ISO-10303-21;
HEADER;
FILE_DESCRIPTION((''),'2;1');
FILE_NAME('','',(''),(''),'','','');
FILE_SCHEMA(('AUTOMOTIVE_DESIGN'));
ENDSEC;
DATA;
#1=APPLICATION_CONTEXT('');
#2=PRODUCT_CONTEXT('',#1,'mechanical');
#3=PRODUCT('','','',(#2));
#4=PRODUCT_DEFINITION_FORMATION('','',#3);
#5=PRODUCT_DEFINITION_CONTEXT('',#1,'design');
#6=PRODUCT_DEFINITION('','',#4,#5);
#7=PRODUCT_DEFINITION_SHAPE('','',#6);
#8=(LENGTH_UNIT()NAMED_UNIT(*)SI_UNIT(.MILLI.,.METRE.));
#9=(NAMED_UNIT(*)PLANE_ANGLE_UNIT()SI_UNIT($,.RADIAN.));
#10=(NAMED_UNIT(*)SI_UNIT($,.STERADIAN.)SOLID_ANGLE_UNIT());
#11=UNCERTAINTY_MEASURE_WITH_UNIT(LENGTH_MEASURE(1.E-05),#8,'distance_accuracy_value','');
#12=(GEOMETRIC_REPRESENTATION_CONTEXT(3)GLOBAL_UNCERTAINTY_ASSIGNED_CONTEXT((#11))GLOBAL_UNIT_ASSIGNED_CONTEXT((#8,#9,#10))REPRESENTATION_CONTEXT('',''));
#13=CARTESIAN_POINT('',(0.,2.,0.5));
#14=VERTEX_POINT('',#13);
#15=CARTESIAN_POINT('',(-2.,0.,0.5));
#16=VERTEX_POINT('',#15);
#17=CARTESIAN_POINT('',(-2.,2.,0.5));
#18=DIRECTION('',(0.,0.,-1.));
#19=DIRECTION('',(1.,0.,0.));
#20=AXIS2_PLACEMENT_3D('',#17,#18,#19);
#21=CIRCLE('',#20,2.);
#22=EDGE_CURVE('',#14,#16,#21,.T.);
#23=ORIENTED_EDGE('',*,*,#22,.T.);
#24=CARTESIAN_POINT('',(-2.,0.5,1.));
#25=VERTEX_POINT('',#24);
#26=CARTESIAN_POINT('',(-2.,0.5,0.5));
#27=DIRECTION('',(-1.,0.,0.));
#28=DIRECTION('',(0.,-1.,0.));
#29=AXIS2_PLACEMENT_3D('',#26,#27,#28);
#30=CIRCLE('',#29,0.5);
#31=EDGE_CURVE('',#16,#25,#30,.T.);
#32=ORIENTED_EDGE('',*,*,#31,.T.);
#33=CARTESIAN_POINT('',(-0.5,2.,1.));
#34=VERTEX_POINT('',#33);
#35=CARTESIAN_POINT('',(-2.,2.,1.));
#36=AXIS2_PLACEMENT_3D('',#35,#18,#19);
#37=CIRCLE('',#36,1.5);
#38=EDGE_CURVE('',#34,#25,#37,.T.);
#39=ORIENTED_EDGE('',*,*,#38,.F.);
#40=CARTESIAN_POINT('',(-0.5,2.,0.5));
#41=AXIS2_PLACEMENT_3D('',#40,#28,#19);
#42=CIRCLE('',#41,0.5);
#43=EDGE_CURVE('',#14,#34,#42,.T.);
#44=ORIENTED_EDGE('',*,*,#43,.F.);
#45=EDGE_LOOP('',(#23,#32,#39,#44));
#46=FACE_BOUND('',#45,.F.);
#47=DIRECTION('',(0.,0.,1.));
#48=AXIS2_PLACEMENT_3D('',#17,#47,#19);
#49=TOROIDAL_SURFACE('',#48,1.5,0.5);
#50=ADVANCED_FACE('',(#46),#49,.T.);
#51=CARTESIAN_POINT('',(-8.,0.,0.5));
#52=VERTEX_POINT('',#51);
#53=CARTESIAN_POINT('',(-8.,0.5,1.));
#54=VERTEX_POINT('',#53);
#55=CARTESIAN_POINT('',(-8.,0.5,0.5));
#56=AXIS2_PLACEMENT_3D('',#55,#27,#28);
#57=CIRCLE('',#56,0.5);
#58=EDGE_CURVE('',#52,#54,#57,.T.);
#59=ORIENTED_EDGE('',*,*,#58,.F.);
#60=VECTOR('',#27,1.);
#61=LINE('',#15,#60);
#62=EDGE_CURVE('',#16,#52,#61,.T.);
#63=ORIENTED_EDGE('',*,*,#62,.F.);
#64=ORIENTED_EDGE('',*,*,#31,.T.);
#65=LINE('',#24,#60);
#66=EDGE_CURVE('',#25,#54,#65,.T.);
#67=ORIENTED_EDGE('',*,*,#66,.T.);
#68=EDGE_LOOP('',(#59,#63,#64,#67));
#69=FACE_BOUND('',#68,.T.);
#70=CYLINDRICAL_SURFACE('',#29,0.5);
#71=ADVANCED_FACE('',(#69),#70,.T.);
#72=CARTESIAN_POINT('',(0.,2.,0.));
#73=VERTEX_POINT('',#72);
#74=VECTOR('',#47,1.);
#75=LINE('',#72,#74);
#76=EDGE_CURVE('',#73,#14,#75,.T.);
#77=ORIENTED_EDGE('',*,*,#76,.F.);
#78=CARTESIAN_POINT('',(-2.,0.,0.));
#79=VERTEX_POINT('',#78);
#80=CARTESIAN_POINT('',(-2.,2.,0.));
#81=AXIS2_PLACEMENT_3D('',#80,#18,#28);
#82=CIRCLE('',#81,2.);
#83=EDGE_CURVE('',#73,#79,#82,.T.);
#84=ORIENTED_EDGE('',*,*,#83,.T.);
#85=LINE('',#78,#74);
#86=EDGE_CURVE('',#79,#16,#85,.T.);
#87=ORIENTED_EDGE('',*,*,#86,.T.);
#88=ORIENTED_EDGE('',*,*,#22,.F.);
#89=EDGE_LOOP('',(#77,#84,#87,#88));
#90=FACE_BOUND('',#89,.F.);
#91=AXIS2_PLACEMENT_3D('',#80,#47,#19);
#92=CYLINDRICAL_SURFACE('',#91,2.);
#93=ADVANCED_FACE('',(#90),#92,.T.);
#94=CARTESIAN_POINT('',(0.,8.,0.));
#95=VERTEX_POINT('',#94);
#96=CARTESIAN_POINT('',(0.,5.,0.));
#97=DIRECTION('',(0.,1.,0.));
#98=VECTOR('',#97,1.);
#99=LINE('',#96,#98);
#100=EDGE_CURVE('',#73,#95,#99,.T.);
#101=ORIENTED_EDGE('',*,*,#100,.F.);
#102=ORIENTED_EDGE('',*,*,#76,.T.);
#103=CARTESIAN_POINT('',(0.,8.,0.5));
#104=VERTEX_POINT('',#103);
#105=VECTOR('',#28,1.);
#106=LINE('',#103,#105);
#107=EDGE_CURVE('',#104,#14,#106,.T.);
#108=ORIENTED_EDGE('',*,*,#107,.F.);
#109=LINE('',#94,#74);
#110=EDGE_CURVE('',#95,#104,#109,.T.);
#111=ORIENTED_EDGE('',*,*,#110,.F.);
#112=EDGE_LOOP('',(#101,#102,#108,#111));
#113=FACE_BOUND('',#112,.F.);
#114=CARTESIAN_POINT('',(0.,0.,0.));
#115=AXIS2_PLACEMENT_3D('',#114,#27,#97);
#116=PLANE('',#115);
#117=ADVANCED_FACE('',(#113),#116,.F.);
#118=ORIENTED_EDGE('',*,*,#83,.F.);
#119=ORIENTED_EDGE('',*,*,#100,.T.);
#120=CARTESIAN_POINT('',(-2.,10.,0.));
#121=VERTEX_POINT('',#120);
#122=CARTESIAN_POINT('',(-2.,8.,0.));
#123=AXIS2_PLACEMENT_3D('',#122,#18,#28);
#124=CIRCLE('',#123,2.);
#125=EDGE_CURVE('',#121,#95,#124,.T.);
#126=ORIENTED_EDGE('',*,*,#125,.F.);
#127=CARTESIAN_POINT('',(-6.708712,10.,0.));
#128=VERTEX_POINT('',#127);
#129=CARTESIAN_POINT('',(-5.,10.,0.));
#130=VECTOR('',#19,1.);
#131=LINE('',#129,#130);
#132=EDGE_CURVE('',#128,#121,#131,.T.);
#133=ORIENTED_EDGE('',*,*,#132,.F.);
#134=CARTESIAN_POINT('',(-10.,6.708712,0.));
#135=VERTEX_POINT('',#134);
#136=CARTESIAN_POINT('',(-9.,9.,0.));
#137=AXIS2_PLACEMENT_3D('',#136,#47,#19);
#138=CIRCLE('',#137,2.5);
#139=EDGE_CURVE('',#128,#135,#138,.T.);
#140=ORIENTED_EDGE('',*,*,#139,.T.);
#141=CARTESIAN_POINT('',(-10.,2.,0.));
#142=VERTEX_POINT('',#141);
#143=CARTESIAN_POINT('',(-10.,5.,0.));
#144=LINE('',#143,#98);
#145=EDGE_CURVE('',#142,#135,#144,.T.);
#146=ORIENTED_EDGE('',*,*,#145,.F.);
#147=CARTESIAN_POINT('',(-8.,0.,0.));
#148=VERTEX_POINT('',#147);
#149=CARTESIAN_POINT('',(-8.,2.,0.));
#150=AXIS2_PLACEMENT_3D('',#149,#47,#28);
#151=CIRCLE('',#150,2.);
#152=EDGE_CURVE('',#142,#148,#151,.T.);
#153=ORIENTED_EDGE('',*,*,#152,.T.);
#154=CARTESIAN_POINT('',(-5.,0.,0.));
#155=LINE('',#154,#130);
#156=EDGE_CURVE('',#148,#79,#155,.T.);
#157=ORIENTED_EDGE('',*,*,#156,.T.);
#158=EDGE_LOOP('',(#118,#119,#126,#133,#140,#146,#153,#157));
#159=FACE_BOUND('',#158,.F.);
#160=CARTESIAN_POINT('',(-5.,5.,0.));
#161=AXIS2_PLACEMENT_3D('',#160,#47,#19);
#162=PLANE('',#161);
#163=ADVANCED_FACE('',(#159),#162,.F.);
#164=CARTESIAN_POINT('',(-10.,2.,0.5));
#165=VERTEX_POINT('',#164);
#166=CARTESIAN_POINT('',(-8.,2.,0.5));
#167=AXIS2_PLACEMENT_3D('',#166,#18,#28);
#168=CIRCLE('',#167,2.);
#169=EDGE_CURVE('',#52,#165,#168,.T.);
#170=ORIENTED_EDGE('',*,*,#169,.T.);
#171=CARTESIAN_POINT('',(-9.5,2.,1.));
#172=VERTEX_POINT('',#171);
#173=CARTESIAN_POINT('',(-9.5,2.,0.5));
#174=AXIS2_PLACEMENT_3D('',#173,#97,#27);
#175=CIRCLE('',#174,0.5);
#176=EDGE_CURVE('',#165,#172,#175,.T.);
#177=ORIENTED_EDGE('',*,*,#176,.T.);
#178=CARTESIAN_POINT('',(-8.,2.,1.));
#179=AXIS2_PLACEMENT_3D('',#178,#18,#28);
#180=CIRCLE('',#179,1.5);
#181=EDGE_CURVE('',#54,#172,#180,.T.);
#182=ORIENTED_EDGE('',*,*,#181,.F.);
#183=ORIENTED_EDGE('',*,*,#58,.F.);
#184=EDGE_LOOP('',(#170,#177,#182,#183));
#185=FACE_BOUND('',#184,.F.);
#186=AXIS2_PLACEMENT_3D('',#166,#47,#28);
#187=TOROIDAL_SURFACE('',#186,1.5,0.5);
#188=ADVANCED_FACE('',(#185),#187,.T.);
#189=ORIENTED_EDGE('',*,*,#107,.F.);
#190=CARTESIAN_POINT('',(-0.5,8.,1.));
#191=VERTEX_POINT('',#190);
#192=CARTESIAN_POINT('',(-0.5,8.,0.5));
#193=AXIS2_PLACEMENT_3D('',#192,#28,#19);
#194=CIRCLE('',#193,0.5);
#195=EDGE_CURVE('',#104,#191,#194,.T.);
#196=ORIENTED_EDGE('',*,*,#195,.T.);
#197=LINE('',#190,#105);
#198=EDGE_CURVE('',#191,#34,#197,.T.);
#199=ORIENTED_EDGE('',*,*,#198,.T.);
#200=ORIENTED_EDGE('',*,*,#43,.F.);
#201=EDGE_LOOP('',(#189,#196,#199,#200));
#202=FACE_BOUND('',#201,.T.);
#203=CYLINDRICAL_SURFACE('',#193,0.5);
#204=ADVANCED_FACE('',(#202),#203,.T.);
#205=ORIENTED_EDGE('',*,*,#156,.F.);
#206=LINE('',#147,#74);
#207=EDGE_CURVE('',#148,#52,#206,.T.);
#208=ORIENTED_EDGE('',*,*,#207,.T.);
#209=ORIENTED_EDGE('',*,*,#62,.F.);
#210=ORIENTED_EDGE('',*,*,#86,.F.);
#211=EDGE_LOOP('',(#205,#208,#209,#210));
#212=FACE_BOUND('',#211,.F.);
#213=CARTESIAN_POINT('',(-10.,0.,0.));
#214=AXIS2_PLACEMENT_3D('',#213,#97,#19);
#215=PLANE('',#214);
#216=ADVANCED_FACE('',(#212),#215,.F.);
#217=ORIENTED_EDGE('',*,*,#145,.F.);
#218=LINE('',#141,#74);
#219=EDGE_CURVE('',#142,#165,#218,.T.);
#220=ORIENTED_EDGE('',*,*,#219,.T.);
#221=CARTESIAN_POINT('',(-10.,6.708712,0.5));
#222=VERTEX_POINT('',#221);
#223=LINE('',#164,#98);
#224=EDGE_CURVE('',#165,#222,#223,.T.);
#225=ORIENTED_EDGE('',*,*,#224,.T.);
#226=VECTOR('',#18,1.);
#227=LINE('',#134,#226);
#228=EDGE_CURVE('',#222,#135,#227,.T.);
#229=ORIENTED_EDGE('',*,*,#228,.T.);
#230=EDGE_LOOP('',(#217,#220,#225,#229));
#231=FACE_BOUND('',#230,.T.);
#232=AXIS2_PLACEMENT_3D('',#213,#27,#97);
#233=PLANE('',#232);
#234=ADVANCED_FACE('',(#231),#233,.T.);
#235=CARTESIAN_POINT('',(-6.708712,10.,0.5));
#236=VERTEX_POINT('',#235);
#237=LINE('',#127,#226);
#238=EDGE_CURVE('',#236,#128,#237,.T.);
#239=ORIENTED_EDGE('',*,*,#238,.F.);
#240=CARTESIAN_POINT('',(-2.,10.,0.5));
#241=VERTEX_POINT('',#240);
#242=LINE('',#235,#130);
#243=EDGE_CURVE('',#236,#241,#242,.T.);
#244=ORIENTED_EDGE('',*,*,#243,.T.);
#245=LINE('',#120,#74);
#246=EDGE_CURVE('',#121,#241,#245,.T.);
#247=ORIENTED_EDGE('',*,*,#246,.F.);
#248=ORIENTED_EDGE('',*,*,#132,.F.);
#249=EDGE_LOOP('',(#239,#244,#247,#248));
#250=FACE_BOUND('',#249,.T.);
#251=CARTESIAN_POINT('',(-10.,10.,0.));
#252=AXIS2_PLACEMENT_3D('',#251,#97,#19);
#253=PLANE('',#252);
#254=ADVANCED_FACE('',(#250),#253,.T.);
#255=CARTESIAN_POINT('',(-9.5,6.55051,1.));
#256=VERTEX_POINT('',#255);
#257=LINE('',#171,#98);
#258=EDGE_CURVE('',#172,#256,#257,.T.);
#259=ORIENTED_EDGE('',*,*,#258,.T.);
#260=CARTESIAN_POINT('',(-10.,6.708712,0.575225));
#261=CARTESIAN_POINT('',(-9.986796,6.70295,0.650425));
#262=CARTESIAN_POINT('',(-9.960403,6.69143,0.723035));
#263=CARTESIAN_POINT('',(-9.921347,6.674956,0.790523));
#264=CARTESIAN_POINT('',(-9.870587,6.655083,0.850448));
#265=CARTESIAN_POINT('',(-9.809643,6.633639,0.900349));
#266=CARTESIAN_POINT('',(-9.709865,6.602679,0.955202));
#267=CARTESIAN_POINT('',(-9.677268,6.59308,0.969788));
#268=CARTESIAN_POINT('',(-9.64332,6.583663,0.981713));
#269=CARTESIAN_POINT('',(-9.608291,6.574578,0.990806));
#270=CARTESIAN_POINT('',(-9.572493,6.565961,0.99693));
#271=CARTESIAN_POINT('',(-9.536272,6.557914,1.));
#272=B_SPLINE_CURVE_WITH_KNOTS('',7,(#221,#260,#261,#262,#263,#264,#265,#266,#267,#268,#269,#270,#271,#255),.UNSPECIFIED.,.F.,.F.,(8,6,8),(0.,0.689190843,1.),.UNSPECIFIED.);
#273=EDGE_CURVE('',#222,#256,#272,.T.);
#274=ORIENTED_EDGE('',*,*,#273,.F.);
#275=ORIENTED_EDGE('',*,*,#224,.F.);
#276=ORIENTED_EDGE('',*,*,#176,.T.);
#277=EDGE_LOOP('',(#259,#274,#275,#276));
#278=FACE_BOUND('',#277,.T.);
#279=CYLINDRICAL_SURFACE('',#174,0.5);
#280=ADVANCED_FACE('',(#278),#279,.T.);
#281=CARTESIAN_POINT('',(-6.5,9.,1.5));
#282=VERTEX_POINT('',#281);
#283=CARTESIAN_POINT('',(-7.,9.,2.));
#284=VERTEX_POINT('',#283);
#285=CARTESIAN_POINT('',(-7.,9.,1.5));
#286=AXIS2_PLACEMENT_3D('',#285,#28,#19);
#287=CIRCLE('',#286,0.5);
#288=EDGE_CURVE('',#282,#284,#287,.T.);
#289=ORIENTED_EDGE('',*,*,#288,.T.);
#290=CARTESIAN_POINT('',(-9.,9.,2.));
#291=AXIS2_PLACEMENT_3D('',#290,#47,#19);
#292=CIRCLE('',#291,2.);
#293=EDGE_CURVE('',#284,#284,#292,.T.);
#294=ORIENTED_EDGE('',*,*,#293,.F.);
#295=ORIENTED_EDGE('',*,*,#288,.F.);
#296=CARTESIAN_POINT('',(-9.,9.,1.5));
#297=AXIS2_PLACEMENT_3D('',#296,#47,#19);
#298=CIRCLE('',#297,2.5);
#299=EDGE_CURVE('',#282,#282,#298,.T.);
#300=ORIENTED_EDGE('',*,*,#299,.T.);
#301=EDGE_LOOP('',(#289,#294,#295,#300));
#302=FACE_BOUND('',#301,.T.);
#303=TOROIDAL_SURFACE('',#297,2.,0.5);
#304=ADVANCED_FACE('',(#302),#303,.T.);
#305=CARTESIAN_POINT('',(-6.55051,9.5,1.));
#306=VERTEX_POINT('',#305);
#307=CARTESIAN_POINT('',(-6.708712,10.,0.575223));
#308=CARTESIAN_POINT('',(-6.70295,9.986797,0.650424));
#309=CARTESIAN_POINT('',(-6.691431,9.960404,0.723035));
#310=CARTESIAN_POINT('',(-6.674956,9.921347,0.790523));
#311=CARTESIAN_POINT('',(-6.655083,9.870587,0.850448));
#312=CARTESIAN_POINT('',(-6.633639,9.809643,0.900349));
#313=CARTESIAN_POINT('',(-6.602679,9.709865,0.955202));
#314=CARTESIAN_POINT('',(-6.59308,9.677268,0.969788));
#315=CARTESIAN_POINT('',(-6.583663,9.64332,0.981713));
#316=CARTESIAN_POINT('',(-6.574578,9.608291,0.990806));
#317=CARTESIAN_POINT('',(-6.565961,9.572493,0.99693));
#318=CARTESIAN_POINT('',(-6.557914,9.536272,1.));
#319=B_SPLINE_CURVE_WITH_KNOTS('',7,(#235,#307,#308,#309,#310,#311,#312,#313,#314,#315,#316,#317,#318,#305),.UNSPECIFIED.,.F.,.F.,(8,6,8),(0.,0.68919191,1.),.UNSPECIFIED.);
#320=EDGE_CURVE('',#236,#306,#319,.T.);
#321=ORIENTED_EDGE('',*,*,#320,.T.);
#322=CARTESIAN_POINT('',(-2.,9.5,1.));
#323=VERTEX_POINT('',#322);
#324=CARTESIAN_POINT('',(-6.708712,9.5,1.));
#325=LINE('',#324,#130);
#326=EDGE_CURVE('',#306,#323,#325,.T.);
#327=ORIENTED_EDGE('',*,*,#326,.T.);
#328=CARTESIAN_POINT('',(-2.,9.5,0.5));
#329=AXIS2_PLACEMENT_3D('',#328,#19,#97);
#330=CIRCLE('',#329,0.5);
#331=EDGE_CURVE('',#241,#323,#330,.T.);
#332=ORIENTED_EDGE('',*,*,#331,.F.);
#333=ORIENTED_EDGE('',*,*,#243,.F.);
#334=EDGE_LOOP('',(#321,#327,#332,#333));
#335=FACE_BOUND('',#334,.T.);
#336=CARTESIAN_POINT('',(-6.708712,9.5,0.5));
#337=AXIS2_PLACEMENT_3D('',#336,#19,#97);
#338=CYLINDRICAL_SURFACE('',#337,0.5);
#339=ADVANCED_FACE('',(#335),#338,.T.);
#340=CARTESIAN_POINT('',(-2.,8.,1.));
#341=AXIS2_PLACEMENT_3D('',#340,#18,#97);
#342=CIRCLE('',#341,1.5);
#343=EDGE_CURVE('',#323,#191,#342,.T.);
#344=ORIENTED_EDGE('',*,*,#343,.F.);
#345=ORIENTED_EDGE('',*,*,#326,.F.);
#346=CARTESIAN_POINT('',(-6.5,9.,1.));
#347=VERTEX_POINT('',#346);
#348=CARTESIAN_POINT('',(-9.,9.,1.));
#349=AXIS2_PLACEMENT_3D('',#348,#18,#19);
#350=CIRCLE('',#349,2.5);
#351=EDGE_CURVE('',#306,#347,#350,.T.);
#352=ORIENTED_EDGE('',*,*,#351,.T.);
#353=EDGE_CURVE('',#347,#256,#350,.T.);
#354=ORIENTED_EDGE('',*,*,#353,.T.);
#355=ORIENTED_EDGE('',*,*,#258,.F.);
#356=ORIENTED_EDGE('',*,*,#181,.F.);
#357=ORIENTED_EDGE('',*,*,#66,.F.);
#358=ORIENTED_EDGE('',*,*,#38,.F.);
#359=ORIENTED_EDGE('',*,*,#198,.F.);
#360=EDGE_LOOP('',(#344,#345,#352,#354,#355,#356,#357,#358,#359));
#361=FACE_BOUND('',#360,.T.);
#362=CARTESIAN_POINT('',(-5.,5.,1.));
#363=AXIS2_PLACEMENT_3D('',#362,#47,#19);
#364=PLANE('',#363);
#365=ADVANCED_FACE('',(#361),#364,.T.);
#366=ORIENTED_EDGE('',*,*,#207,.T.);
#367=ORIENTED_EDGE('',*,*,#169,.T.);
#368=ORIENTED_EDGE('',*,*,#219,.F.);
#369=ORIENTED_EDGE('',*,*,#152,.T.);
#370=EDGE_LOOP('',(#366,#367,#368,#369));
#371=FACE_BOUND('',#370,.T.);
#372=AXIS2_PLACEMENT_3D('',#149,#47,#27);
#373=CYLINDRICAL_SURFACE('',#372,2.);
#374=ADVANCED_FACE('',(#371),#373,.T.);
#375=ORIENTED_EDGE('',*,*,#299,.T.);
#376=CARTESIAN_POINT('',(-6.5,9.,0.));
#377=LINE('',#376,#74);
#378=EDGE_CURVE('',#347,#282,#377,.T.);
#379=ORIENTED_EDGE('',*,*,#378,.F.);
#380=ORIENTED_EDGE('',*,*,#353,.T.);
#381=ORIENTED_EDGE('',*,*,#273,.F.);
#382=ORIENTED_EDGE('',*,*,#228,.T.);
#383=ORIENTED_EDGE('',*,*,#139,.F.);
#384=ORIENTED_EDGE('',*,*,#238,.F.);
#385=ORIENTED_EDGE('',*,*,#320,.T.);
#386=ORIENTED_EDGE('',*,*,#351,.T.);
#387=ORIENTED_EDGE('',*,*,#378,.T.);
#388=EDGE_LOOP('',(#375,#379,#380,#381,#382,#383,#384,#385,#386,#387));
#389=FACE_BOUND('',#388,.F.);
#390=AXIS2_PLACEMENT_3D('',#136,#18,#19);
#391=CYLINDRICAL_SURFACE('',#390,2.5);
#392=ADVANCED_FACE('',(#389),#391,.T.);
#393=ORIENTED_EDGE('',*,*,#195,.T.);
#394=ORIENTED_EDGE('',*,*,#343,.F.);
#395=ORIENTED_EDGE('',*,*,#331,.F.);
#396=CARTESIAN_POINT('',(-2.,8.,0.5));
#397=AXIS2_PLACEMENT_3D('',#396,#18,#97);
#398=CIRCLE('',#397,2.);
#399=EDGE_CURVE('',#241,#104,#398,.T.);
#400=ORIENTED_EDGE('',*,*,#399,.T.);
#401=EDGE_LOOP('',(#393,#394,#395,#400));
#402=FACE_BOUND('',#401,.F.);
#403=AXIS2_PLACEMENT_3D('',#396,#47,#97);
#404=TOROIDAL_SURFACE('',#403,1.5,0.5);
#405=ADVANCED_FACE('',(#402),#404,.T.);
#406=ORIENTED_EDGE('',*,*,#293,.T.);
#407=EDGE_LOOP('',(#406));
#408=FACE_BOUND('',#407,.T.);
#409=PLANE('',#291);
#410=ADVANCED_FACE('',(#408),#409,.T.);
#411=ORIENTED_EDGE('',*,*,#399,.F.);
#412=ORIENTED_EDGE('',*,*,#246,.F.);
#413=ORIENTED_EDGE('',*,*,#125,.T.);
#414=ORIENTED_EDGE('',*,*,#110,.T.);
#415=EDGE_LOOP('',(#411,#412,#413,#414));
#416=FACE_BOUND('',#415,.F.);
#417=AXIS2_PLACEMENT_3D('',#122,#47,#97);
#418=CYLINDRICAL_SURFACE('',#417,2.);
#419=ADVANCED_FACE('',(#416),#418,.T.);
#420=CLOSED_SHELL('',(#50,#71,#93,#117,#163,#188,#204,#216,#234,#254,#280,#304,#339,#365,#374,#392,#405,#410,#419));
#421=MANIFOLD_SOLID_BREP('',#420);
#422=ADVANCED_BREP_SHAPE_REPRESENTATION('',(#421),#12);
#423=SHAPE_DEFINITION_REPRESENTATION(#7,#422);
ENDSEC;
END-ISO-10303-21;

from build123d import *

# Parameters (mm, degrees)
F0_W     = 10
F0_H     = 10
F1_DEPTH = 1
F2_R     = 2.5
F3_DEPTH = 2
F4_R     = 2
F5_R     = 0.5


with BuildPart() as f1:
    # F0 (on Top) → F1 (new body)
    with BuildSketch(Plane.XY):
        with Locations((-5, 5)):
            Rectangle(F0_W, F0_H)
    extrude(amount=F1_DEPTH)

    # F2 (on Top) → F3 (join)
    with BuildSketch(Plane.XY):
        with Locations((-9, 9)):
            Circle(F2_R)
    extrude(amount=F3_DEPTH)

    # F4
    f4_edges = [f1.edges().sort_by_distance(p)[0] for p in [
        (0, 10, 0.5),
        (0, 0, 0.5),
        (-10, 0, 0.5),
    ]]
    fillet(f4_edges, radius=F4_R)

    # F5
    f5_edges = [f1.edges().sort_by_distance(p)[0] for p in [
        (-10, 4.354356, 1),
        (-11.5, 9, 2),
    ]]
    fillet(f5_edges, radius=F5_R)


solid = f1.part
